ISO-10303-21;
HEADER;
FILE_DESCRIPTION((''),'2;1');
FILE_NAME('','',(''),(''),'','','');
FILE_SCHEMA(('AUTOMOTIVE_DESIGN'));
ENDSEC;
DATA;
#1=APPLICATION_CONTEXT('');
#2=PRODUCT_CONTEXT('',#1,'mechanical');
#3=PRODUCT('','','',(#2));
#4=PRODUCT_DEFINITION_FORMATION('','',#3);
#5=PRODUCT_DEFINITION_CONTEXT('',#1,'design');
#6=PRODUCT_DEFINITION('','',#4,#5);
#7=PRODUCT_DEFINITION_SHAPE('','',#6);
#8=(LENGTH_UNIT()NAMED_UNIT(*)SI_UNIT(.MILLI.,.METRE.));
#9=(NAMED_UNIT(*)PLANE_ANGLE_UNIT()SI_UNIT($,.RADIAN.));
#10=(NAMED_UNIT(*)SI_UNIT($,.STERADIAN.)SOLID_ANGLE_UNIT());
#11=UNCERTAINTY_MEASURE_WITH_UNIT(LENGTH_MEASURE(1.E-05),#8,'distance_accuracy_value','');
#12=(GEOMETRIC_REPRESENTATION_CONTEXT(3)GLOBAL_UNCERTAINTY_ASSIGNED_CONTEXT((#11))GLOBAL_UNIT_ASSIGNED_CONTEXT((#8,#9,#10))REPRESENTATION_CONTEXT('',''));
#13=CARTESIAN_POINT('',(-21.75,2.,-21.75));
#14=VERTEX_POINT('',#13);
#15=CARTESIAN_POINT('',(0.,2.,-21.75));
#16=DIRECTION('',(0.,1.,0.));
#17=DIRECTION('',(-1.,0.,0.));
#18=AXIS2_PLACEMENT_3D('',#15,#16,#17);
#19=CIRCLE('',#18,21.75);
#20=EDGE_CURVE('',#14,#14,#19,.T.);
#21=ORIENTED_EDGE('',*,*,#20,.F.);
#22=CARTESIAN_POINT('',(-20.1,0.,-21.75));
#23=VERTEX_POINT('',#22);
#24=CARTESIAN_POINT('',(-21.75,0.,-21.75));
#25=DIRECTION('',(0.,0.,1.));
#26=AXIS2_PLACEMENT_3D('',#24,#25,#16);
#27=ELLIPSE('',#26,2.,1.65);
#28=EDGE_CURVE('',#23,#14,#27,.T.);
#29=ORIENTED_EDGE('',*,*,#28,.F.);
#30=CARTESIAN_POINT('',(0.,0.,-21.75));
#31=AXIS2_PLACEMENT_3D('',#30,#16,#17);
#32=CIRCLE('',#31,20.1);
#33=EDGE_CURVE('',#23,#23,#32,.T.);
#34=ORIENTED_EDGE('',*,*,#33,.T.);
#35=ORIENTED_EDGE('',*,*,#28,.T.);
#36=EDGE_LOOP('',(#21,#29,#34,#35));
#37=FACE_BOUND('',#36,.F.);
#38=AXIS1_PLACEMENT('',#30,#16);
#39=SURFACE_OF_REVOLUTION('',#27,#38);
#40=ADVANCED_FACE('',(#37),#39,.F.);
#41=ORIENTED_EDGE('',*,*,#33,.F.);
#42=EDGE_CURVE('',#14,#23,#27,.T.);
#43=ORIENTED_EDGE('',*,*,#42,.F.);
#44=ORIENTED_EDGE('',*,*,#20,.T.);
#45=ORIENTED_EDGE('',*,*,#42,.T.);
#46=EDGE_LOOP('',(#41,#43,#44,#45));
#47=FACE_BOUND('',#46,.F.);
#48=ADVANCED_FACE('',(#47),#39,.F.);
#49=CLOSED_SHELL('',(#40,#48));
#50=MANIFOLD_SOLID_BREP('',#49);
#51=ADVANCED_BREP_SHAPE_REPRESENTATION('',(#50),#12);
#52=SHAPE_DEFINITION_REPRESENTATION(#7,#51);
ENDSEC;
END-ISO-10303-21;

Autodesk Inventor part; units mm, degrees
ref_plane "YZ Plane" through (0, 0, 0) normal (1, 0, 0) x (0, 1, 0)
ref_plane "XZ Plane" through (0, 0, 0) normal (0, 1, 0) x (-1, 0, 0)
ref_plane "XY Plane" through (0, 0, 0) normal (0, 0, 1) x (1, 0, 0)
sketch "Boceto1" plane through (0, 0, 0) normal (1, 0, 0) x (0, 1, 0)
  line L0 (0, 0) -> (2, 0)
  line L1 (0, 0) -> (0, -1.65)
  ellipse E0 centre (0, 0) end of major axis (2, 0) minor radius 1.65
  dimension "d0" = 2
  dimension "d1" = 1.65
sketch "Boceto2" plane through (0, 0, 0) normal (0, 1, 0) x (-1, 0, 0)
  line L0 (0, 0) -> (0, -21.75)
  circle A0 centre (0, -21.75) radius 21.75
  dimension "d2" = 21.75
sweep "Barrido1" add profiles "Boceto1" path "Boceto2" path curves A0
properties part number "Junta_torica_pieza_sonar"
